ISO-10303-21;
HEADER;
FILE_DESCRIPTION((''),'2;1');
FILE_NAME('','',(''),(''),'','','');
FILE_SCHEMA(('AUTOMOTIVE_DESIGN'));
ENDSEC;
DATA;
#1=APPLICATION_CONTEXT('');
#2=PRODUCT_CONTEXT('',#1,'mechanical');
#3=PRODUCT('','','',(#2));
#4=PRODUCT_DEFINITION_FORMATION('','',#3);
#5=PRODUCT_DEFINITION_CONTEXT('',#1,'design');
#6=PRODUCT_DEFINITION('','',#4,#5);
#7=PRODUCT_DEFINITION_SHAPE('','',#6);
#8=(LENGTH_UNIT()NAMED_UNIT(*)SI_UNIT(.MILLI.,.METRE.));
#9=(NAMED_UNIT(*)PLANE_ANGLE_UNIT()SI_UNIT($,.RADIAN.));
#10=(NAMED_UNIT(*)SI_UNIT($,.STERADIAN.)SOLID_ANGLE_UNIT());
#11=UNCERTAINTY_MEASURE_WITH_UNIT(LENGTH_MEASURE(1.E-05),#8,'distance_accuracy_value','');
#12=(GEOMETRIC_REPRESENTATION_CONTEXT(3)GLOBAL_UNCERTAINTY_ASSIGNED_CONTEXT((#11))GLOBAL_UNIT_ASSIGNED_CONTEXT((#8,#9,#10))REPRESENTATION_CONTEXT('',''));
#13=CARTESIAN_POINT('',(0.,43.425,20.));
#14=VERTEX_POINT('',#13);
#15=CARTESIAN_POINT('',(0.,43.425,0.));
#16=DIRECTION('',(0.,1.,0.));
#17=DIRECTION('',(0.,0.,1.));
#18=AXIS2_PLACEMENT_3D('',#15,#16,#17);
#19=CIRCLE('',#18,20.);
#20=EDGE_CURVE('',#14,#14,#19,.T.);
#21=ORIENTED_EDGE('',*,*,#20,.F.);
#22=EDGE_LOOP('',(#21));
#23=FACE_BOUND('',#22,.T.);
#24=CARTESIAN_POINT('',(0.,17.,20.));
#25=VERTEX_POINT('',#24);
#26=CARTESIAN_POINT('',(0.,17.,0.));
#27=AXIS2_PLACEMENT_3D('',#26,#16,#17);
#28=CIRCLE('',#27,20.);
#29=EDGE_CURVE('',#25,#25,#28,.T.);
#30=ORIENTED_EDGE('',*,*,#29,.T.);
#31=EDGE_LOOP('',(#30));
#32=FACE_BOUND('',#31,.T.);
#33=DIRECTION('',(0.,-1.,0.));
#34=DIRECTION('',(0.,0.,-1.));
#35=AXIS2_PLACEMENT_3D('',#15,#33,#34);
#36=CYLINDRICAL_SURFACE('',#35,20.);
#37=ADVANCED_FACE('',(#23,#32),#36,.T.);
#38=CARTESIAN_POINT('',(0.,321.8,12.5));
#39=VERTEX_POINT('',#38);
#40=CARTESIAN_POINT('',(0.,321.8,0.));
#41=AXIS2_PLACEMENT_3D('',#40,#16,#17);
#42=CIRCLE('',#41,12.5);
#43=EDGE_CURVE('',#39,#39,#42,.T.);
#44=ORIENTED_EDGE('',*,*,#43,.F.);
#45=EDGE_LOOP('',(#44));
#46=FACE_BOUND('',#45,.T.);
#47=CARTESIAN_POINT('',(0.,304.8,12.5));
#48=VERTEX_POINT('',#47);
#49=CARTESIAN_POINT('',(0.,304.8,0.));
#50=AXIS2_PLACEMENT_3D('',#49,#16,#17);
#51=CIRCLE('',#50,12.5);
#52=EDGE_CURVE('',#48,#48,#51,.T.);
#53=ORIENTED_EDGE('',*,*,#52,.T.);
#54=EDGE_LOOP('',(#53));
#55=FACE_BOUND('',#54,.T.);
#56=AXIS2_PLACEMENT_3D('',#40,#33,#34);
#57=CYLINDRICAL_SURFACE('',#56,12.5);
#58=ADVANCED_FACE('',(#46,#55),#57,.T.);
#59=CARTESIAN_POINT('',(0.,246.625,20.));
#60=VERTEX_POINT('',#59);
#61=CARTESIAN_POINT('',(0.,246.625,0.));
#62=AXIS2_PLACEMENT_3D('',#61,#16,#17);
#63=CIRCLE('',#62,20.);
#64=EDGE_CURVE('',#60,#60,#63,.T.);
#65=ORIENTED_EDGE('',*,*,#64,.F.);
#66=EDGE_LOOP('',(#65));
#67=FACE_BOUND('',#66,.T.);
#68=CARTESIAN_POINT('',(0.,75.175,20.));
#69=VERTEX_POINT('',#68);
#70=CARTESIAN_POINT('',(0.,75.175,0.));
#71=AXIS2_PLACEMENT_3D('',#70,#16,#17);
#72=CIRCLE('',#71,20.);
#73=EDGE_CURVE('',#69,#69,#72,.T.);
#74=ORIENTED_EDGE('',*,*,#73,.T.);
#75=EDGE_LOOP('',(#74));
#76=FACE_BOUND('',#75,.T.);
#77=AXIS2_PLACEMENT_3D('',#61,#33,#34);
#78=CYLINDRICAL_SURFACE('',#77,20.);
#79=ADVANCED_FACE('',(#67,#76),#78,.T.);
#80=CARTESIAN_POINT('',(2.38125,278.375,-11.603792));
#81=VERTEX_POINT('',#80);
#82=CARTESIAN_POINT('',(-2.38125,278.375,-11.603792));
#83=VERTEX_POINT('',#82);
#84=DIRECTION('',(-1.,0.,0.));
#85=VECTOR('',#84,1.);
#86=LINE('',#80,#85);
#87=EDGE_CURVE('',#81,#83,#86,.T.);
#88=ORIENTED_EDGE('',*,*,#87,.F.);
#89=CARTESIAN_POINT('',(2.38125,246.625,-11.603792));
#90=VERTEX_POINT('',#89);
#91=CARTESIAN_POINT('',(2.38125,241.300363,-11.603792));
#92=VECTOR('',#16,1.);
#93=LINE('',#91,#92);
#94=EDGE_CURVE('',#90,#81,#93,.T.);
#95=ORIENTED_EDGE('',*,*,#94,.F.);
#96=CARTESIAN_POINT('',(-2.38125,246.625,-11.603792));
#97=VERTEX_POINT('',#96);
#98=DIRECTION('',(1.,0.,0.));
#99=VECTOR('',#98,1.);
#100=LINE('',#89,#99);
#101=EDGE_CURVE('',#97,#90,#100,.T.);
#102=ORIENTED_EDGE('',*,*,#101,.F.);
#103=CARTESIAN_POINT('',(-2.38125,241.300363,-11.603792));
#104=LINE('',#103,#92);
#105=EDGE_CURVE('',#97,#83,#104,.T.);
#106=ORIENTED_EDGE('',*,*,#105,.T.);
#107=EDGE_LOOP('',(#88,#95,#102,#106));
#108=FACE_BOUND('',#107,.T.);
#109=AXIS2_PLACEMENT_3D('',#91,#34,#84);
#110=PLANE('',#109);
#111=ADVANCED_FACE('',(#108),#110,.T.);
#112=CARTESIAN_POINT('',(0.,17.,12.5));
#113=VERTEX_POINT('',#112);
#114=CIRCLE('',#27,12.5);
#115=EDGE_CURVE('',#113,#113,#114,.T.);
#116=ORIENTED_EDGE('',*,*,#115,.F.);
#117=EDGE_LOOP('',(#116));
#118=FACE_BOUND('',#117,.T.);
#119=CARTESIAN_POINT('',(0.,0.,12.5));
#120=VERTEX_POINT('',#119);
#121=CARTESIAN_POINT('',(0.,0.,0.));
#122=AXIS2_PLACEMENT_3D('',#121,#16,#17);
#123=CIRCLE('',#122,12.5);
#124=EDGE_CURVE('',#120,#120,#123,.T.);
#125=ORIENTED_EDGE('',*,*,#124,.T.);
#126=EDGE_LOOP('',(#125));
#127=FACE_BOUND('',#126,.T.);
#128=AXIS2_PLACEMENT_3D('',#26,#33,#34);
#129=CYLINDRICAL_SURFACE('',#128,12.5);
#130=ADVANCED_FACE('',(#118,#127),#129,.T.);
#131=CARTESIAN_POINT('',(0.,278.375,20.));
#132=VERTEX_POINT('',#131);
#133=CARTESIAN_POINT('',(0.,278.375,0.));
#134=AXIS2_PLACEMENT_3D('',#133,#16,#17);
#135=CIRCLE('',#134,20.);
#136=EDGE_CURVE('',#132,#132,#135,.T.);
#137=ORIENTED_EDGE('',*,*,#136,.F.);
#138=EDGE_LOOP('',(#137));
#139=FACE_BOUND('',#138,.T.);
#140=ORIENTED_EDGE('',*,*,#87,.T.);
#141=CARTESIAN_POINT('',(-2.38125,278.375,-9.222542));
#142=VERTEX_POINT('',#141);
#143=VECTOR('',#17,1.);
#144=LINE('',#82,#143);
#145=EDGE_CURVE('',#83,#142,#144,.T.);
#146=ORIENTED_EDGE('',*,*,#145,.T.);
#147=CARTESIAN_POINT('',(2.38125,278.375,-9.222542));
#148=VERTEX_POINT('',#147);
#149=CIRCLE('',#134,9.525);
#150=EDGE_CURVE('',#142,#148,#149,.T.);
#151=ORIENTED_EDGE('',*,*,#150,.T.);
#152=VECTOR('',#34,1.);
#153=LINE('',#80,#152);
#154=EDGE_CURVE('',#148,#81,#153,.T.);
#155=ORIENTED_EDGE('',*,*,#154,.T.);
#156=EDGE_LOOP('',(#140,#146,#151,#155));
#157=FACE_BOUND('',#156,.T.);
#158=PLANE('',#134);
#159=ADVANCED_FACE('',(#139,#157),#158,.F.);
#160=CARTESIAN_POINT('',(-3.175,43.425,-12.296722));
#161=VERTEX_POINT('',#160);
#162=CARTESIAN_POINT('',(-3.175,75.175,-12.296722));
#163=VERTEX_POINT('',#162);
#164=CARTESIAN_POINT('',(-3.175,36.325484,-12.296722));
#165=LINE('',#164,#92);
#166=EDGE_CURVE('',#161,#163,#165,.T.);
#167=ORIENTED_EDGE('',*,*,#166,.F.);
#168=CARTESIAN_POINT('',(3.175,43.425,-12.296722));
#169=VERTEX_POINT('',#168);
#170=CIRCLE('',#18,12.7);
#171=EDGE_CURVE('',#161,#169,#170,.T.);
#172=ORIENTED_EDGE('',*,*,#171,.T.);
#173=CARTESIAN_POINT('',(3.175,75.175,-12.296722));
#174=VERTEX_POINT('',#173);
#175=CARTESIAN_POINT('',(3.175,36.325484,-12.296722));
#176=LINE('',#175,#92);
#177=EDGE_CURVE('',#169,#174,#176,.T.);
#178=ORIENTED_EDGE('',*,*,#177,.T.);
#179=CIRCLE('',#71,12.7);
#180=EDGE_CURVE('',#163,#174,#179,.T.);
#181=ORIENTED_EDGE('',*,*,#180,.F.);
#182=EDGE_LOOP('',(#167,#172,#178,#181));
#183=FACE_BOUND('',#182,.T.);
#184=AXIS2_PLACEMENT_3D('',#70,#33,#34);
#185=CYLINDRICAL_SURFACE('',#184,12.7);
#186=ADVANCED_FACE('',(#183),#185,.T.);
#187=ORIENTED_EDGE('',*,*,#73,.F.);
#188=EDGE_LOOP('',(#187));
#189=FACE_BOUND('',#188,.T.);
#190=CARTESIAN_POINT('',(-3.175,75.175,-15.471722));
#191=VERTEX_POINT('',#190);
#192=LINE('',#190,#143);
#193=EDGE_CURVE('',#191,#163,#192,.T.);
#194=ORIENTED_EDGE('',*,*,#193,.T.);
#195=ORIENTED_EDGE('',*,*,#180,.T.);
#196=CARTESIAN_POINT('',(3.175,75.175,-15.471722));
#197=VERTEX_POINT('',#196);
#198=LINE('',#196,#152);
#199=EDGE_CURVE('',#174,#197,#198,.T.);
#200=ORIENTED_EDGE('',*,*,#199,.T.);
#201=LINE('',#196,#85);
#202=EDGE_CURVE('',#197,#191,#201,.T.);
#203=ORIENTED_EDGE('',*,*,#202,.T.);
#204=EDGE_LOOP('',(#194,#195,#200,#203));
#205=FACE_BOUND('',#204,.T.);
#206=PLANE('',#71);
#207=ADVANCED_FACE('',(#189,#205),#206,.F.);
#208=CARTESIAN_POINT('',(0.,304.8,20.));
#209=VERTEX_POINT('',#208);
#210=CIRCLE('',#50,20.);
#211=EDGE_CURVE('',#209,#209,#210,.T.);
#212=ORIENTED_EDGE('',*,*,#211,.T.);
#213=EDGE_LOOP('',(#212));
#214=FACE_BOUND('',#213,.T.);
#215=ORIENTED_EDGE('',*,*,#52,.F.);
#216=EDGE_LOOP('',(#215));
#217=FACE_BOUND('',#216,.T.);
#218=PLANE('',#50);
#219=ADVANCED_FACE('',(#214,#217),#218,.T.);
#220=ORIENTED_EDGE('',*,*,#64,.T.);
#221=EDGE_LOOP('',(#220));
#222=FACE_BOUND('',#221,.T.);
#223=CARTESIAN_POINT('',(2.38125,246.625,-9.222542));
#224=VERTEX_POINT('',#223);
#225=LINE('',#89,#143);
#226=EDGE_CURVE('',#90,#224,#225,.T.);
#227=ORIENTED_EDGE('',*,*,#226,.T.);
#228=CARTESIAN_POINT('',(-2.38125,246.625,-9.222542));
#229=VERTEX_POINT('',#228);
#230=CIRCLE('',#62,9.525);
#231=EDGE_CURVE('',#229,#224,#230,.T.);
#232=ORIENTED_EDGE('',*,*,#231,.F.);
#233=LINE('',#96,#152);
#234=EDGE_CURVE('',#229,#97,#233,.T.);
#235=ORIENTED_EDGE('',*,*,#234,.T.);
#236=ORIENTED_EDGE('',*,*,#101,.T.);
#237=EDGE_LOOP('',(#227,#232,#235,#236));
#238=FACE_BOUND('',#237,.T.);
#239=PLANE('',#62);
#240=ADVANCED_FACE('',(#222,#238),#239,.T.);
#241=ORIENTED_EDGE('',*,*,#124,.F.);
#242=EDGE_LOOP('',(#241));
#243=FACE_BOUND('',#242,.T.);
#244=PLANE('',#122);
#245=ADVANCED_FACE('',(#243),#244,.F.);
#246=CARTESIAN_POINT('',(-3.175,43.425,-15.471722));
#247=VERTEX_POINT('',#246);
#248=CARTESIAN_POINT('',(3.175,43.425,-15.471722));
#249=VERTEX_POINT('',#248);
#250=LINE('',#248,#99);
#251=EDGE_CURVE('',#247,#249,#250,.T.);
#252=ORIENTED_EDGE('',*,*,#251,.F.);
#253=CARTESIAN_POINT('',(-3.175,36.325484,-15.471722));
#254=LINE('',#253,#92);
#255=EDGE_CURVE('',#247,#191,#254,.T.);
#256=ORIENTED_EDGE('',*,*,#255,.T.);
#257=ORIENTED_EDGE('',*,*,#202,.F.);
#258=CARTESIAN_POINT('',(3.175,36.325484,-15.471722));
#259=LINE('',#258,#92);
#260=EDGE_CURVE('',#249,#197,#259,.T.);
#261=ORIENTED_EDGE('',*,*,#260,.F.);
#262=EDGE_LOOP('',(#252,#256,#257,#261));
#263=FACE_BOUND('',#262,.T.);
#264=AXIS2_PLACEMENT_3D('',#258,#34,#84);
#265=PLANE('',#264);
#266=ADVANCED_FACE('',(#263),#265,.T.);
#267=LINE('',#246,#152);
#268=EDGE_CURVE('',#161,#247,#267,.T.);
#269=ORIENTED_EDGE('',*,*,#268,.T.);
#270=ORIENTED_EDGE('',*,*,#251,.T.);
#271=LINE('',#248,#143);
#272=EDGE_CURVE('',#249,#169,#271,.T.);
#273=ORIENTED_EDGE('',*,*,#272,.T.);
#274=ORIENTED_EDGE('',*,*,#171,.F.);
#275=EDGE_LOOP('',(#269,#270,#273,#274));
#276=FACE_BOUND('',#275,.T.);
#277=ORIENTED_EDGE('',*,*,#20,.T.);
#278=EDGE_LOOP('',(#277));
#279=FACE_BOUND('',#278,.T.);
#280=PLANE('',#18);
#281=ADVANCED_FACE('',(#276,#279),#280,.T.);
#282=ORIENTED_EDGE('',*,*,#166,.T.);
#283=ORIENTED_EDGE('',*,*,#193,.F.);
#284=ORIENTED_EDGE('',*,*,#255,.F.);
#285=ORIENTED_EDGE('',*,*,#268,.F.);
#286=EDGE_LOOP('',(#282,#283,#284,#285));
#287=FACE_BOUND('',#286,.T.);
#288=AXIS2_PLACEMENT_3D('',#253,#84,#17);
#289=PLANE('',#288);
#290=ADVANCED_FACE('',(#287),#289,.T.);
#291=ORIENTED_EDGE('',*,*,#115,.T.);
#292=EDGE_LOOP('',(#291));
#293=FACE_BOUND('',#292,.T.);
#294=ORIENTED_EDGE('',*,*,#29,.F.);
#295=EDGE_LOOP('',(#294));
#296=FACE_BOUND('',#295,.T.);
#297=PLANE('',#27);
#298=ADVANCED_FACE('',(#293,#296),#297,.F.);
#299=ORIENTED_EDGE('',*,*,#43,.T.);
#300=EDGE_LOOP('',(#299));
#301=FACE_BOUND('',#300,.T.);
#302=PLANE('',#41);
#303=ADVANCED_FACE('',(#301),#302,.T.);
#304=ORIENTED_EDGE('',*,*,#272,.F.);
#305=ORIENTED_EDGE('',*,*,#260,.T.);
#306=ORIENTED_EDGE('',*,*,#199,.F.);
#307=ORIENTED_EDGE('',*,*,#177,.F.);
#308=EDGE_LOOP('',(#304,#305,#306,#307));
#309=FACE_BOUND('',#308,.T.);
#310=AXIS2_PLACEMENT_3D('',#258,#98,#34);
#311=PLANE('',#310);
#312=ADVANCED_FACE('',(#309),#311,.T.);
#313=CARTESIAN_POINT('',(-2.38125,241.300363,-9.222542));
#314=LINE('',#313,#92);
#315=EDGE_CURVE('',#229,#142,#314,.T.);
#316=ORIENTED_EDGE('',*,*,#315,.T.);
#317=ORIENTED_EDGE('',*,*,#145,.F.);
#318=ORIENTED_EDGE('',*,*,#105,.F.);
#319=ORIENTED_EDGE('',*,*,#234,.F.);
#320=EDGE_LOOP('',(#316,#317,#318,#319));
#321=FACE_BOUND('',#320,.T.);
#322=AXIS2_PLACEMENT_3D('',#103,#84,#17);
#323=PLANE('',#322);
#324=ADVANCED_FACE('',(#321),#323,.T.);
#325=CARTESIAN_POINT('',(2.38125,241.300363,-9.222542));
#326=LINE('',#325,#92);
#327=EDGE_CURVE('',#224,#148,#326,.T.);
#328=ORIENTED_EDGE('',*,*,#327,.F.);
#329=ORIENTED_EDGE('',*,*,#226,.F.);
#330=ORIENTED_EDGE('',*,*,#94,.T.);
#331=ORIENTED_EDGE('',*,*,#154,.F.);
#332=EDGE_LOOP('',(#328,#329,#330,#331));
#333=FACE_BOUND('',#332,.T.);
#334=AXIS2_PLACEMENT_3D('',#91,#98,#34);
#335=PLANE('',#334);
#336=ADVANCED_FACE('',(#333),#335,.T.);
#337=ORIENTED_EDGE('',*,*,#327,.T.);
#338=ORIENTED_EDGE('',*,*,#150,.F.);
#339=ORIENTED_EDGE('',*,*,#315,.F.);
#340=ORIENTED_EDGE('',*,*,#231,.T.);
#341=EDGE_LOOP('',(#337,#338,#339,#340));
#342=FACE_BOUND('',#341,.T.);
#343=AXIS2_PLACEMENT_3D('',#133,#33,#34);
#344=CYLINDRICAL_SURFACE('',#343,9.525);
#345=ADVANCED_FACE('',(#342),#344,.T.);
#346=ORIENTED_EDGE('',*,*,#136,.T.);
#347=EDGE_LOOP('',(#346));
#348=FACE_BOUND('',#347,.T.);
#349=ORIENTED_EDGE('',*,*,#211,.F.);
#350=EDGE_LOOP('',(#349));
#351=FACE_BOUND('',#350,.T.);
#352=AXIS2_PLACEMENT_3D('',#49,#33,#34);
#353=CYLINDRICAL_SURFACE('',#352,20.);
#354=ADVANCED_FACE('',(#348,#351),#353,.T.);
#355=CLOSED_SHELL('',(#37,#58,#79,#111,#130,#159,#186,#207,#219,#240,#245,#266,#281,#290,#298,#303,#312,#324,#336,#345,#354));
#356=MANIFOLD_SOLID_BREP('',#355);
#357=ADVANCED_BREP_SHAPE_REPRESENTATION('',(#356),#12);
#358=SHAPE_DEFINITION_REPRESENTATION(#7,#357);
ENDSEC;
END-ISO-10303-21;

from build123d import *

# Parameters (mm, degrees)
SKETCH1_R           = 12.5
BOSS_EXTRUDE1_DEPTH = 17
SKETCH2_R           = 20
BOSS_EXTRUDE2_DEPTH = 26.425
SKETCH3_R           = 12.7
BOSS_EXTRUDE3_DEPTH = 31.75
SKETCH8_W           = 6.35
SKETCH8_H           = 3.175
BOSS_EXTRUDE8_DEPTH = 31.75
SKETCH4_R           = 20
BOSS_EXTRUDE4_DEPTH = 171.45
SKETCH5_R           = 9.525
BOSS_EXTRUDE5_DEPTH = 31.75
SKETCH9_W           = 4.7625
SKETCH9_H           = 2.38125
BOSS_EXTRUDE9_DEPTH = 31.75
SKETCH6_R           = 20
BOSS_EXTRUDE6_DEPTH = 26.425
SKETCH7_R           = 12.5
BOSS_EXTRUDE7_DEPTH = 17


with BuildPart() as part:
    # Sketch1 → Boss-Extrude1 (new body)
    with BuildSketch(Plane(origin=(0, 0, 0), x_dir=(1, 0, 0), z_dir=(0, 1, 0))):
        with Locations(Location((0, 0, 0), (0, 0, 270))):
            Circle(SKETCH1_R)
    extrude(amount=BOSS_EXTRUDE1_DEPTH)

    # Sketch2 → Boss-Extrude2 (add)
    with BuildSketch(Plane(origin=(0, 17, 0), x_dir=(1, 0, 0), z_dir=(0, 1, 0))):
        with Locations(Location((0, 0, 0), (0, 0, 270))):
            Circle(SKETCH2_R)
    extrude(amount=BOSS_EXTRUDE2_DEPTH)

    # Sketch3 → Boss-Extrude3 (add)
    with BuildSketch(Plane(origin=(0, 43.425, 0), x_dir=(1, 0, 0), z_dir=(0, 1, 0))):
        with Locations(Location((0, 0, 0), (0, 0, 270))):
            Circle(SKETCH3_R)
    extrude(amount=BOSS_EXTRUDE3_DEPTH)

    # Sketch8 → Boss-Extrude8 (add)
    with BuildSketch(Plane(origin=(0, 75.175, 0), x_dir=(1, 0, 0), z_dir=(0, 1, 0))):
        with Locations((0, 13.884222124)):
            Rectangle(SKETCH8_W, SKETCH8_H)
    extrude(amount=-BOSS_EXTRUDE8_DEPTH)

    # Sketch4 → Boss-Extrude4 (add)
    with BuildSketch(Plane(origin=(0, 75.175, 0), x_dir=(1, 0, 0), z_dir=(0, 1, 0))):
        with Locations(Location((0, 0, 0), (0, 0, 270))):
            Circle(SKETCH4_R)
    extrude(amount=BOSS_EXTRUDE4_DEPTH)

    # Sketch5 → Boss-Extrude5 (add)
    with BuildSketch(Plane(origin=(0, 246.625, 0), x_dir=(1, 0, 0), z_dir=(0, 1, 0))):
        with Locations(Location((0, 0, 0), (0, 0, 270))):
            Circle(SKETCH5_R)
    extrude(amount=BOSS_EXTRUDE5_DEPTH)

    # Sketch9 → Boss-Extrude9 (add)
    with BuildSketch(Plane(origin=(0, 278.375, 0), x_dir=(1, 0, 0), z_dir=(0, 1, 0))):
        with Locations((0, 10.413166593)):
            Rectangle(SKETCH9_W, SKETCH9_H)
    extrude(amount=-BOSS_EXTRUDE9_DEPTH)

    # Sketch6 → Boss-Extrude6 (add)
    with BuildSketch(Plane(origin=(0, 278.375, 0), x_dir=(1, 0, 0), z_dir=(0, 1, 0))):
        with Locations(Location((0, 0, 0), (0, 0, 270))):
            Circle(SKETCH6_R)
    extrude(amount=BOSS_EXTRUDE6_DEPTH)

    # Sketch7 → Boss-Extrude7 (add)
    with BuildSketch(Plane(origin=(0, 304.8, 0), x_dir=(1, 0, 0), z_dir=(0, 1, 0))):
        with Locations(Location((0, 0, 0), (0, 0, 270))):
            Circle(SKETCH7_R)
    extrude(amount=BOSS_EXTRUDE7_DEPTH)


solid = part.part
